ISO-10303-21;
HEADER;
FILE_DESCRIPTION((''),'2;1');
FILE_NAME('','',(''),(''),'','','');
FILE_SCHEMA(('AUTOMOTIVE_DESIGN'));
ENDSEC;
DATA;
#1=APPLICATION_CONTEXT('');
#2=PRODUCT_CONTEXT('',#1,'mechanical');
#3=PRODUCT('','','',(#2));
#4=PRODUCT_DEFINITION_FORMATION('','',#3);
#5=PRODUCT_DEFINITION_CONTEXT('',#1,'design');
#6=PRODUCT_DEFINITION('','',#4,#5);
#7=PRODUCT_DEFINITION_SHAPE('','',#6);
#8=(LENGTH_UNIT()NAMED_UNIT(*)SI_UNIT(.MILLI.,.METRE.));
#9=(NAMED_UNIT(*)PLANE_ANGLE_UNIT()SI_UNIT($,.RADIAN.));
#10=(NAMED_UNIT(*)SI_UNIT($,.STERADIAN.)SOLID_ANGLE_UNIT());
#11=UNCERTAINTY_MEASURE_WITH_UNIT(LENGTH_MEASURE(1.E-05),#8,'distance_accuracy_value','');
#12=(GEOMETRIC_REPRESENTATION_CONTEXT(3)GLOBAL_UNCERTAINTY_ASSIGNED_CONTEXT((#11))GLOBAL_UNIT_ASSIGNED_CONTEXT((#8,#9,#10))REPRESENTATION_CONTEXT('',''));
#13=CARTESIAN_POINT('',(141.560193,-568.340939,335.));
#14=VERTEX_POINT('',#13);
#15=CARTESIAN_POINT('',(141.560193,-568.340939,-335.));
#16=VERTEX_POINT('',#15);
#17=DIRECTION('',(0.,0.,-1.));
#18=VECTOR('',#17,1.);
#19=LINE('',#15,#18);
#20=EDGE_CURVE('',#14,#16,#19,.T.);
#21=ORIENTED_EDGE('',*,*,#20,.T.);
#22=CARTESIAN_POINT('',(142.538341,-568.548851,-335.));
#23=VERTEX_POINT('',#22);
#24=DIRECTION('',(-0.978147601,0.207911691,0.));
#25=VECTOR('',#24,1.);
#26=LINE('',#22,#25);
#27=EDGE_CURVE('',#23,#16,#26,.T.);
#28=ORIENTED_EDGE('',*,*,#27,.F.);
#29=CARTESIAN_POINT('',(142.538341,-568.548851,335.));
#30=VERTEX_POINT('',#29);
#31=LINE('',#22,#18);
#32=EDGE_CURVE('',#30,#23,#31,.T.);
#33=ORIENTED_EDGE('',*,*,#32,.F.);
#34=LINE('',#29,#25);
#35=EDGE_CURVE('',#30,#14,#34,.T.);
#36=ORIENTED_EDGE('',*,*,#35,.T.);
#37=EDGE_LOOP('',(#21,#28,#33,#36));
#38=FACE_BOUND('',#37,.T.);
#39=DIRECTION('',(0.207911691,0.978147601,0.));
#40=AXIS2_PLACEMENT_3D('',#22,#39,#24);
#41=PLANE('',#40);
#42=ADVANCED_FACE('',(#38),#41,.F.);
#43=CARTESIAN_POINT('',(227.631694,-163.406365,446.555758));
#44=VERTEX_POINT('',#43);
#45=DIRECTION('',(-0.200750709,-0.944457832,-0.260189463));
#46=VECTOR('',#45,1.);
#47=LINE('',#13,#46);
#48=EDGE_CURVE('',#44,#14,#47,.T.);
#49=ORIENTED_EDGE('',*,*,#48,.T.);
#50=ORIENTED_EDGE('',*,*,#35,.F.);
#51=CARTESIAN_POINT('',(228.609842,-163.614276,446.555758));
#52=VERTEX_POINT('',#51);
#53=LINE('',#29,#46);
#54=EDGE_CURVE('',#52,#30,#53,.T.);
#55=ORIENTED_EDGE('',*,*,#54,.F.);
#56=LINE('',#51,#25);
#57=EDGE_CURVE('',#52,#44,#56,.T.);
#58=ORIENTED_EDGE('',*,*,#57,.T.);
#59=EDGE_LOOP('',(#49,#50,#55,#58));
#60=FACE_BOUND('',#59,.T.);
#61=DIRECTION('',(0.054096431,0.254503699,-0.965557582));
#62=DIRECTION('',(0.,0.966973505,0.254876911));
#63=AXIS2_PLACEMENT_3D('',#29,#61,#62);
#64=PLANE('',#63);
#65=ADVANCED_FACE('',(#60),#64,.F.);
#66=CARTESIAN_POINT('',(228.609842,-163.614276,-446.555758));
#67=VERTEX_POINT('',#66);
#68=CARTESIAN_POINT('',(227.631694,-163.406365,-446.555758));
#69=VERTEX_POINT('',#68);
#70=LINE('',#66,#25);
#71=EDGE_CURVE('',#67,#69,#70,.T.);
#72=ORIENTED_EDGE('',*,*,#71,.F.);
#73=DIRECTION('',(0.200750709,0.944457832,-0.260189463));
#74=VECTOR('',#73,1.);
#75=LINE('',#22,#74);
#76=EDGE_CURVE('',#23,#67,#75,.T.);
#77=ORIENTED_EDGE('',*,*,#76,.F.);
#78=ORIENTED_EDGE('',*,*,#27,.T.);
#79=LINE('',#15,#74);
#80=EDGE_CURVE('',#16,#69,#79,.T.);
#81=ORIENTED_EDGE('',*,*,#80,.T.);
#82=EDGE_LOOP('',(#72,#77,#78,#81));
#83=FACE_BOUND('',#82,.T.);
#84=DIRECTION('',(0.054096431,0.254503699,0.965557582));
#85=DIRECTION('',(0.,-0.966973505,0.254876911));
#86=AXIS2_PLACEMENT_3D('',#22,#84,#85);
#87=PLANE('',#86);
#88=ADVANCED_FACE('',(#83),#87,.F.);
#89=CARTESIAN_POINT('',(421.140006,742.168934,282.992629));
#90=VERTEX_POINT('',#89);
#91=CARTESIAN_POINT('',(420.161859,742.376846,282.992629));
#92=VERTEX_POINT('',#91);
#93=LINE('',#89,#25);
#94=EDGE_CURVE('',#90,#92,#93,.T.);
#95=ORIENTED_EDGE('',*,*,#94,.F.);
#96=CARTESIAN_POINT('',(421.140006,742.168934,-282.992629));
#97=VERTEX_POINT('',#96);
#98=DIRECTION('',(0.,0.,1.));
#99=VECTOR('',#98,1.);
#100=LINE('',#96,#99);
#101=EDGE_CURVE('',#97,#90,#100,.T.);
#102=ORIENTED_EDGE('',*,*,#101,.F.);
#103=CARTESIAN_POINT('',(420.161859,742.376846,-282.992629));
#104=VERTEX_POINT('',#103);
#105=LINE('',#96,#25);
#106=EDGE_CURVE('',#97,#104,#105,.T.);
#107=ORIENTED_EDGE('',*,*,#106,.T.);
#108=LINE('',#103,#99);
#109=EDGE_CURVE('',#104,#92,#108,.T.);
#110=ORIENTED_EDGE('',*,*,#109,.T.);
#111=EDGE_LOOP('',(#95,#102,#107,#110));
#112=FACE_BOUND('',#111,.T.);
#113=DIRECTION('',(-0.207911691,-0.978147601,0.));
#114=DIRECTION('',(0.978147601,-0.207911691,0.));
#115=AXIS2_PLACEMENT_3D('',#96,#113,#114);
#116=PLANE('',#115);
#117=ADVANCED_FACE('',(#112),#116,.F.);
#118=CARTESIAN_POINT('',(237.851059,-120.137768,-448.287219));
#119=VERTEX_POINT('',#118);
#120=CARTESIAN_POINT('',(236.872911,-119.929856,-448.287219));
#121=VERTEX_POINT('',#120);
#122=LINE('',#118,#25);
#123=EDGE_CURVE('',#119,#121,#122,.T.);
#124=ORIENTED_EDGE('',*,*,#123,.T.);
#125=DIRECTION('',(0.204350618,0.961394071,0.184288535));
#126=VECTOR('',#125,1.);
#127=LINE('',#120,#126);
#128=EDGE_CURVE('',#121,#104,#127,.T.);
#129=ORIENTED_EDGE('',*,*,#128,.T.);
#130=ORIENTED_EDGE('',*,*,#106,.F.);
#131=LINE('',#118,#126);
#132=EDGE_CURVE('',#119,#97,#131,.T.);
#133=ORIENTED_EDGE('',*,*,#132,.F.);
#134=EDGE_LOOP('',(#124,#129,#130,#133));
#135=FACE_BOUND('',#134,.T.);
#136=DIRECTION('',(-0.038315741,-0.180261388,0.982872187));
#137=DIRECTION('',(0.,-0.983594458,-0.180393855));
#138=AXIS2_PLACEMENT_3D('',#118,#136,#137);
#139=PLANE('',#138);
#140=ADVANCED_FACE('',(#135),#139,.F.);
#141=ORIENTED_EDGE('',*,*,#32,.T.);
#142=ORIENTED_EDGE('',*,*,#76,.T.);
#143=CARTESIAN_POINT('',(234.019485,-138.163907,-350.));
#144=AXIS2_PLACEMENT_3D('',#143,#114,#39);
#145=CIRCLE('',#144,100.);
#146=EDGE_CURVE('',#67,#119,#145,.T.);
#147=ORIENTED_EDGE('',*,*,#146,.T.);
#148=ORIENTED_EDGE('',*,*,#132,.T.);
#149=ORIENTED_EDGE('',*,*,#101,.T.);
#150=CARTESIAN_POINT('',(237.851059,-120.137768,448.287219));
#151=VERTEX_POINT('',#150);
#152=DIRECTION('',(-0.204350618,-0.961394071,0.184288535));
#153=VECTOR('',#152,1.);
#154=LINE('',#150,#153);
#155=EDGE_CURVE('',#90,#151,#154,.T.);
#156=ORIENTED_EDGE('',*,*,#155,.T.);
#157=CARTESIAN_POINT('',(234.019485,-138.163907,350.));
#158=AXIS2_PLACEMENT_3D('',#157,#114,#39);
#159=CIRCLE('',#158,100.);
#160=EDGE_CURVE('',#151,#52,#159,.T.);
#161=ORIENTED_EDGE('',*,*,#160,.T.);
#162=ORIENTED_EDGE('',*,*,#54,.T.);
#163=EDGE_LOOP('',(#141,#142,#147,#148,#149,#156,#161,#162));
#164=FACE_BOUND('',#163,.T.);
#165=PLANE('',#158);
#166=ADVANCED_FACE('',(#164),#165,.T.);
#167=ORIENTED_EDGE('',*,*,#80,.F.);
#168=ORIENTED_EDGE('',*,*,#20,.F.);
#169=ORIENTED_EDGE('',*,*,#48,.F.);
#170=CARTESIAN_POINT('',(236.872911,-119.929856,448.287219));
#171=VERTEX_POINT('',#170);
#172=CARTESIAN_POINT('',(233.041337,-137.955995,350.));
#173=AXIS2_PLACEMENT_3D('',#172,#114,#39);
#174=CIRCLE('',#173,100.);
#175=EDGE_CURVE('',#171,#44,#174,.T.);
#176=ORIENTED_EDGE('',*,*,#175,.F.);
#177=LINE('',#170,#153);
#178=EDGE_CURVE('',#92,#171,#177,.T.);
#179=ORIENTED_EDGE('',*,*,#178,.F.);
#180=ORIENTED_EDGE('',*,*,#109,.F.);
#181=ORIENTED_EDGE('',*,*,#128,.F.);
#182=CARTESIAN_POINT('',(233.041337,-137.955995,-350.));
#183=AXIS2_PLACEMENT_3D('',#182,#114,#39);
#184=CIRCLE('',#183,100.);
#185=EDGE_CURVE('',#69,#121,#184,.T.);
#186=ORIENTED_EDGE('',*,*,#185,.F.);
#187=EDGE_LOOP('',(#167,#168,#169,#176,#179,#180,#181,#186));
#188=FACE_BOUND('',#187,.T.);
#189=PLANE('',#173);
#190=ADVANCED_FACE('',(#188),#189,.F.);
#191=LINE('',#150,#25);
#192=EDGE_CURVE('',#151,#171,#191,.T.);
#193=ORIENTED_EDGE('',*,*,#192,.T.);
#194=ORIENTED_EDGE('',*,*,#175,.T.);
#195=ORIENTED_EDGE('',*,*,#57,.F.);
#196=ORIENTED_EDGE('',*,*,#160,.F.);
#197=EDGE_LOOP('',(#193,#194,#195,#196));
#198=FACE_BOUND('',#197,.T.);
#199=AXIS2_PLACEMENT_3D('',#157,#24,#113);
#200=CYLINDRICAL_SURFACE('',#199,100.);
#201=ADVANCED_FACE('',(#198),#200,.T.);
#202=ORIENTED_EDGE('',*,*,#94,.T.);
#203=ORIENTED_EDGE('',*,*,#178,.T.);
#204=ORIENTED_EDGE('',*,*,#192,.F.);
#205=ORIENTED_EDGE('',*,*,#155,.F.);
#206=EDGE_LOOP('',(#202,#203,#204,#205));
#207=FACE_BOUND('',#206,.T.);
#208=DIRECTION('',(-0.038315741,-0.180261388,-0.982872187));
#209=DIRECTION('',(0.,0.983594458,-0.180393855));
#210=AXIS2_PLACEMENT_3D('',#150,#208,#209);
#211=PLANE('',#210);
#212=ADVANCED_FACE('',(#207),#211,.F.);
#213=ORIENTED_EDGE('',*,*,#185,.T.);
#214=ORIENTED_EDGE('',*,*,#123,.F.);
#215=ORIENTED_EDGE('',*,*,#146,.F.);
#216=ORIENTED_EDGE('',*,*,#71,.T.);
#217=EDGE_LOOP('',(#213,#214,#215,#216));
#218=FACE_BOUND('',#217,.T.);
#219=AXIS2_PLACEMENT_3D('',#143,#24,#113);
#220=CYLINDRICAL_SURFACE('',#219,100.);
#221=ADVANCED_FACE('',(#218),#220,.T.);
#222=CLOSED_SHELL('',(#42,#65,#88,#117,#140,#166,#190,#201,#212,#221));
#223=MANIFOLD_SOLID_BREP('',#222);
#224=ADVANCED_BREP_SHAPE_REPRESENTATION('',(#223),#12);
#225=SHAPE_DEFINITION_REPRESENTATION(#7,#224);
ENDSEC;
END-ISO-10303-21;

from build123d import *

# Parameters (mm, degrees)
BOSS_EXTRUDE1_DEPTH = 1


with BuildPart() as part:
    # Sketch2 → Boss-Extrude1 (new body)
    with BuildSketch(Plane(origin=(251.023475103, -53.356686766, 0), x_dir=(0, 0, -1), z_dir=(0.9781476007338064, -0.20791169081775637, 0))):
        with BuildLine():
            Line((-448.287218693, -68.060453412), (-282.992628726, 813.510693083))
            Line((-282.992628726, 813.510693083), (282.992628726, 813.510693083))
            Line((282.992628726, 813.510693083), (448.287218693, -68.060453412))
            ThreePointArc((448.287218693, -68.060453412), (449.924211951, -90.381846712), (446.555758158, -112.508253217))
            Line((446.555758158, -112.508253217), (335, -526.489306917))
            Line((335, -526.489306917), (-335, -526.489306917))
            Line((-335, -526.489306917), (-446.555758158, -112.508253217))
            ThreePointArc((-446.555758158, -112.508253217), (-449.924211951, -90.381846712), (-448.287218693, -68.060453412))
        make_face()
    extrude(amount=BOSS_EXTRUDE1_DEPTH)


solid = part.part
